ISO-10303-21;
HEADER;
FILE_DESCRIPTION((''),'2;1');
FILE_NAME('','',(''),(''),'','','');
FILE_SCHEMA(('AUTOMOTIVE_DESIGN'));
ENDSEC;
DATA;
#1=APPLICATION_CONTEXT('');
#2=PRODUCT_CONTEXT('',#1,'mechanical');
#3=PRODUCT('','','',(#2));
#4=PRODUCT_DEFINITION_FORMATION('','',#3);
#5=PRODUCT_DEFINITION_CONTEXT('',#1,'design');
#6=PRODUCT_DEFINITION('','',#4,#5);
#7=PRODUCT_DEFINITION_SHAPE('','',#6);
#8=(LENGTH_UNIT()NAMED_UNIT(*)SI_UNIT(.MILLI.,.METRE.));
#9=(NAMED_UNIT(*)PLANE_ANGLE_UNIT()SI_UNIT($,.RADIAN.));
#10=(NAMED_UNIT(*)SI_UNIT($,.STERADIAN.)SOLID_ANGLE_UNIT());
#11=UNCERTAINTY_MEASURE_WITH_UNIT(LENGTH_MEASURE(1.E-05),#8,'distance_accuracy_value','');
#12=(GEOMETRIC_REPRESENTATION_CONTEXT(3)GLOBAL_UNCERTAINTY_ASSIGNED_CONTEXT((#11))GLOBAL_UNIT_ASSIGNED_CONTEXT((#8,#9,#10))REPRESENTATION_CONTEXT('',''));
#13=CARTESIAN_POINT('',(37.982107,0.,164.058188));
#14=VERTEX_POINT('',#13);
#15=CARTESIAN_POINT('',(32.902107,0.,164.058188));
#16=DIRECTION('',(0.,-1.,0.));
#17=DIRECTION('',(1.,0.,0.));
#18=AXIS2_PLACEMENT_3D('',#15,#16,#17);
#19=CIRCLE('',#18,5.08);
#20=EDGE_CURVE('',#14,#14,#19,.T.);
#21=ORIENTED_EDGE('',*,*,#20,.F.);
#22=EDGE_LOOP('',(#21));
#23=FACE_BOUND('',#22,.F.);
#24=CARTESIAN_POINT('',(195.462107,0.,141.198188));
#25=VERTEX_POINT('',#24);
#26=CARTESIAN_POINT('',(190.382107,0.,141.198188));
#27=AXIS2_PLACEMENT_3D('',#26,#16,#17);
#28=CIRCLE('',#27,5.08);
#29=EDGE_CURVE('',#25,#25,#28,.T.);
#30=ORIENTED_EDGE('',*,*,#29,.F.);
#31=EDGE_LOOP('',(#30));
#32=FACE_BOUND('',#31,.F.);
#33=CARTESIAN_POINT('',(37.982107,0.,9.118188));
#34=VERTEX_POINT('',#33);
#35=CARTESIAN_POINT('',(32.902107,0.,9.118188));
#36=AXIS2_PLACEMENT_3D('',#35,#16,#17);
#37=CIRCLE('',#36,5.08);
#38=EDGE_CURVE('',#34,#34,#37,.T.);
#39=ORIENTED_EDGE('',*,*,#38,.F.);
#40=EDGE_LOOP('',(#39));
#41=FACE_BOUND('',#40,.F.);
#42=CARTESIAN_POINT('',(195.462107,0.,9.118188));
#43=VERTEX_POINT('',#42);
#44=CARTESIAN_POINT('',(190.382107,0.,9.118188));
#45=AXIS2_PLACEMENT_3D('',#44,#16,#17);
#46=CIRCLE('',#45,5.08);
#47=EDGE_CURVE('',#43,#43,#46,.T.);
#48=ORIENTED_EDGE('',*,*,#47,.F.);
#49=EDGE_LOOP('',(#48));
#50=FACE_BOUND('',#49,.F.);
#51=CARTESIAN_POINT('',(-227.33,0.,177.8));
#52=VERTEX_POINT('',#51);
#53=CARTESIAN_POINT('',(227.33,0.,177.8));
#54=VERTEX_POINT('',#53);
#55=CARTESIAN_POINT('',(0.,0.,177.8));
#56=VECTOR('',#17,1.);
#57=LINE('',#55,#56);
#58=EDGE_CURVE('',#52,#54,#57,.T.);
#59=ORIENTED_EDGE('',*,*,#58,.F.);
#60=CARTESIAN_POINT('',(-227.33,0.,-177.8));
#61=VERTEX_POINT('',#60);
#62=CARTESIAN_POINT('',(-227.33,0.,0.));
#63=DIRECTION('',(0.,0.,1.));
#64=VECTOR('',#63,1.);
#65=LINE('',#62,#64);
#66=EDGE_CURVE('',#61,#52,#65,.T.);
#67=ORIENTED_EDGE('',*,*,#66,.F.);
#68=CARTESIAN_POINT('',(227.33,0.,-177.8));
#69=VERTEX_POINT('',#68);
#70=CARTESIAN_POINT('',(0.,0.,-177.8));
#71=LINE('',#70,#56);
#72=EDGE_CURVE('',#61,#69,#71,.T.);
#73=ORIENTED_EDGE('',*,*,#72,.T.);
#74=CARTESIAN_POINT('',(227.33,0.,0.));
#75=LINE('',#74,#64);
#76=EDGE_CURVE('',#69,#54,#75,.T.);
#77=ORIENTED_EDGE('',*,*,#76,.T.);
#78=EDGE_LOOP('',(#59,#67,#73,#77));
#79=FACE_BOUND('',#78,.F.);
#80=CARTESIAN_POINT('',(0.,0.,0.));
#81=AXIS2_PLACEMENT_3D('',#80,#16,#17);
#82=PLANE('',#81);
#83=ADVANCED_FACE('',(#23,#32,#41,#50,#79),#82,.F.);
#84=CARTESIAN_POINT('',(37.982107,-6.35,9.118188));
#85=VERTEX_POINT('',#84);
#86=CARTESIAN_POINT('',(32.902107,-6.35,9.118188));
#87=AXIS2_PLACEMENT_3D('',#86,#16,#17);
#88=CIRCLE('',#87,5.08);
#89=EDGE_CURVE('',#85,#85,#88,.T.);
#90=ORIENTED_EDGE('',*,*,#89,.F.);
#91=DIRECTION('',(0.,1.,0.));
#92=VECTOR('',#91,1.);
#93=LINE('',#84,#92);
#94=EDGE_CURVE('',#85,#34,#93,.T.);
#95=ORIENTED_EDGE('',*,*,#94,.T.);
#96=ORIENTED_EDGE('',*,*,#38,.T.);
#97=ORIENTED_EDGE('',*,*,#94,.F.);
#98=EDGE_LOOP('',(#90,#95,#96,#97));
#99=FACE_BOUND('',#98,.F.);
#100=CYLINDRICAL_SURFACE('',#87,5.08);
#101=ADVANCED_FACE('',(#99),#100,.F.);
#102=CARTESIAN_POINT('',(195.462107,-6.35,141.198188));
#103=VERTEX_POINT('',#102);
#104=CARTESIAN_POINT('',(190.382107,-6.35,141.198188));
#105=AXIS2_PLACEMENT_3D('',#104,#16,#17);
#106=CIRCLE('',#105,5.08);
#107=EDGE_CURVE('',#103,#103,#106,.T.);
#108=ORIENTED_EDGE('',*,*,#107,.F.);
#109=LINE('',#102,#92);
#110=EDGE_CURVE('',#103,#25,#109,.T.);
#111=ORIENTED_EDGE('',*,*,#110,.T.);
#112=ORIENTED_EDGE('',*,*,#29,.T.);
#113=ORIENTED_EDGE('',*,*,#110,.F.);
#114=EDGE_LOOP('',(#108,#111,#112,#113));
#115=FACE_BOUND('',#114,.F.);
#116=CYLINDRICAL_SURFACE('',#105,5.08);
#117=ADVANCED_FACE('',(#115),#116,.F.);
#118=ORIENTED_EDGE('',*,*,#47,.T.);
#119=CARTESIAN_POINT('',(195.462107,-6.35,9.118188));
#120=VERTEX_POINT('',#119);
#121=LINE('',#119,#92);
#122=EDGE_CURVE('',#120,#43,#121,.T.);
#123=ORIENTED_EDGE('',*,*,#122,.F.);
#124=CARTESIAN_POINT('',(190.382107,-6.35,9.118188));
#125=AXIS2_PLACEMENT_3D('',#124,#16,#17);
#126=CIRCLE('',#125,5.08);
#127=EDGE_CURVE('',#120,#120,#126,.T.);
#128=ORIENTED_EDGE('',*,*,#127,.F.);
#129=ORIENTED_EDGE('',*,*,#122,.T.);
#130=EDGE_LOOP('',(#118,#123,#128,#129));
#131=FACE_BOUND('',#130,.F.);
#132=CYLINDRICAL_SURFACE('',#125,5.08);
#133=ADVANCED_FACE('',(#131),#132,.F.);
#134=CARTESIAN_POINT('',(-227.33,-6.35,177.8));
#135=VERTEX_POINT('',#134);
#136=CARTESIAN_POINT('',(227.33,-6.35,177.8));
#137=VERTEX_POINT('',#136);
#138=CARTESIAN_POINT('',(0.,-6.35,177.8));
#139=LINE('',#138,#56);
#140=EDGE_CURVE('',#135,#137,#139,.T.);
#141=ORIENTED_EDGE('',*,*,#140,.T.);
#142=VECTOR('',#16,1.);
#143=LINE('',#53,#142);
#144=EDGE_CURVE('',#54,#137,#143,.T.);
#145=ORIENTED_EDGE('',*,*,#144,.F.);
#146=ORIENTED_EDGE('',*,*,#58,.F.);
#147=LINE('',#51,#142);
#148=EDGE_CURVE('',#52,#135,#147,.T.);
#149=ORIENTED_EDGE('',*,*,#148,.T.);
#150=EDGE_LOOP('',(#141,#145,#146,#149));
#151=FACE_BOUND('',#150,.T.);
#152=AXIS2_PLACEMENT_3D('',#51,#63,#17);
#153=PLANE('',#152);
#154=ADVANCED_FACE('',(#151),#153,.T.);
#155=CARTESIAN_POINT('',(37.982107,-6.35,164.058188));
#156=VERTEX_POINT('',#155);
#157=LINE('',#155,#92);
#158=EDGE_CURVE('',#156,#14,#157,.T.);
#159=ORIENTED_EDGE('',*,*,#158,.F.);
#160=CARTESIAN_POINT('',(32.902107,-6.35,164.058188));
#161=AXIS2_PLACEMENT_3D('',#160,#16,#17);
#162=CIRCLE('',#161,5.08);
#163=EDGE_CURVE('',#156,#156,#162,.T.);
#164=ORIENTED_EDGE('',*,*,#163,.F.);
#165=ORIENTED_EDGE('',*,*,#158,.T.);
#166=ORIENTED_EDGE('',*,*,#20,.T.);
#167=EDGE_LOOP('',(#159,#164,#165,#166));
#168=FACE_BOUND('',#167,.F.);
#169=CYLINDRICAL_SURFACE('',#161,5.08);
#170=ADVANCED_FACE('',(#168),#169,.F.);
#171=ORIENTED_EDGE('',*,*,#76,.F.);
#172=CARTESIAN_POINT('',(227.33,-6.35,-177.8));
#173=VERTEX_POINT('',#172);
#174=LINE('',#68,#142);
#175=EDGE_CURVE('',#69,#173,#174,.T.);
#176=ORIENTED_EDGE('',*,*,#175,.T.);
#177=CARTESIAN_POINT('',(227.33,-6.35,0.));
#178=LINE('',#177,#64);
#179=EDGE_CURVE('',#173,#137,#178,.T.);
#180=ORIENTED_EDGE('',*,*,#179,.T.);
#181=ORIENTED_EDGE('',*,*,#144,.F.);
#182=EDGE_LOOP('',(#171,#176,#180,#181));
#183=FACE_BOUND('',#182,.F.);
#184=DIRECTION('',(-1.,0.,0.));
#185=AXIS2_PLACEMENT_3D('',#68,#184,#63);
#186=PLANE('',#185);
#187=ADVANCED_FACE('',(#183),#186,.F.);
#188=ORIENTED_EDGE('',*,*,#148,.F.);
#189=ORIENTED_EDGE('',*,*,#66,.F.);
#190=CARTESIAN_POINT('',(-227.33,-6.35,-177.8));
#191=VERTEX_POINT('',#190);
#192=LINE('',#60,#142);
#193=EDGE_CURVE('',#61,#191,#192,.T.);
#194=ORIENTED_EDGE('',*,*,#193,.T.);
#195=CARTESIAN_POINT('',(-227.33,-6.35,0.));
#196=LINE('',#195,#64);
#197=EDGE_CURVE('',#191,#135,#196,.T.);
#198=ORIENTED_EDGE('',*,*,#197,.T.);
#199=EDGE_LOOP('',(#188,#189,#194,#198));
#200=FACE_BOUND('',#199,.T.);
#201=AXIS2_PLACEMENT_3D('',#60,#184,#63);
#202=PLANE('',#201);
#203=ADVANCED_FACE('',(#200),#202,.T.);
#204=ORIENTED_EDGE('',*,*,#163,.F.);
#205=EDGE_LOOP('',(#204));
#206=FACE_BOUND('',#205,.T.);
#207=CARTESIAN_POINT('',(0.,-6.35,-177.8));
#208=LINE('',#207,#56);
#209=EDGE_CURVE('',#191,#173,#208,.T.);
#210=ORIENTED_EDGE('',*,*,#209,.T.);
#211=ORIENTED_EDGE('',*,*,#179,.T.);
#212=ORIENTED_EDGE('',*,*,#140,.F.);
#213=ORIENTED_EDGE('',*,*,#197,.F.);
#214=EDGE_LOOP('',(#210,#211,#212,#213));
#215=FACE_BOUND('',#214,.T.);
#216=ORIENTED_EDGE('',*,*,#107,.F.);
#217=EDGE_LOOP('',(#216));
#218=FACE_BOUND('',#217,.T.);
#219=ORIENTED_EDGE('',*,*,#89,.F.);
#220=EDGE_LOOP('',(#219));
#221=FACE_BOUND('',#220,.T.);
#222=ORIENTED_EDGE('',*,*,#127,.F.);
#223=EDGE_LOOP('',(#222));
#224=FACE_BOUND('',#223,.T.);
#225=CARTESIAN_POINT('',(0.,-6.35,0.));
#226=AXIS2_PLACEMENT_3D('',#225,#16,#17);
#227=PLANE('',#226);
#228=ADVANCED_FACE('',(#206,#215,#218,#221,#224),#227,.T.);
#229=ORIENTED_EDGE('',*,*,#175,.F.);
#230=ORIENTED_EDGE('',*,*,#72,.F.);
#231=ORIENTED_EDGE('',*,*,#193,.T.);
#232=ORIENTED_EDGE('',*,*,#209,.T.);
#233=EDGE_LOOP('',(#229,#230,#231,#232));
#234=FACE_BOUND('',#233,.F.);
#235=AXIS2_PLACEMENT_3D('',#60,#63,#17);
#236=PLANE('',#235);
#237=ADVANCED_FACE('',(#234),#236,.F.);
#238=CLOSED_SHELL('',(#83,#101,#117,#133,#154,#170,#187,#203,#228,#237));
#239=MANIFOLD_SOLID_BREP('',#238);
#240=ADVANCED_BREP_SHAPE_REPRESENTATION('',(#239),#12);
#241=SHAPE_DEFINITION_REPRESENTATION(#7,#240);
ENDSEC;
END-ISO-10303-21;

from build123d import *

# Parameters (mm, degrees)
F0_W     = 454.66
F0_H     = 355.6
F1_DEPTH = 6.35
F2_R     = 5.08
F3_DEPTH = 6.35


with BuildPart() as f1:
    # F0 (on Front) → F1 (new body)
    with BuildSketch(Plane.XZ):
        Rectangle(F0_W, F0_H)
    extrude(amount=F1_DEPTH)

    # F2 (on face) → F3 (cut, through all)
    with BuildSketch(Plane.XZ.offset(6.35)):
        with Locations((32.902107, 164.058188)):
            Circle(F2_R)
        with Locations((190.382107, 141.198188)):
            Circle(F2_R)
        with Locations((190.382107, 9.118188)):
            Circle(F2_R)
        with Locations((32.902107, 9.118188)):
            Circle(F2_R)
    extrude(amount=-F3_DEPTH, mode=Mode.SUBTRACT)


solid = f1.part
